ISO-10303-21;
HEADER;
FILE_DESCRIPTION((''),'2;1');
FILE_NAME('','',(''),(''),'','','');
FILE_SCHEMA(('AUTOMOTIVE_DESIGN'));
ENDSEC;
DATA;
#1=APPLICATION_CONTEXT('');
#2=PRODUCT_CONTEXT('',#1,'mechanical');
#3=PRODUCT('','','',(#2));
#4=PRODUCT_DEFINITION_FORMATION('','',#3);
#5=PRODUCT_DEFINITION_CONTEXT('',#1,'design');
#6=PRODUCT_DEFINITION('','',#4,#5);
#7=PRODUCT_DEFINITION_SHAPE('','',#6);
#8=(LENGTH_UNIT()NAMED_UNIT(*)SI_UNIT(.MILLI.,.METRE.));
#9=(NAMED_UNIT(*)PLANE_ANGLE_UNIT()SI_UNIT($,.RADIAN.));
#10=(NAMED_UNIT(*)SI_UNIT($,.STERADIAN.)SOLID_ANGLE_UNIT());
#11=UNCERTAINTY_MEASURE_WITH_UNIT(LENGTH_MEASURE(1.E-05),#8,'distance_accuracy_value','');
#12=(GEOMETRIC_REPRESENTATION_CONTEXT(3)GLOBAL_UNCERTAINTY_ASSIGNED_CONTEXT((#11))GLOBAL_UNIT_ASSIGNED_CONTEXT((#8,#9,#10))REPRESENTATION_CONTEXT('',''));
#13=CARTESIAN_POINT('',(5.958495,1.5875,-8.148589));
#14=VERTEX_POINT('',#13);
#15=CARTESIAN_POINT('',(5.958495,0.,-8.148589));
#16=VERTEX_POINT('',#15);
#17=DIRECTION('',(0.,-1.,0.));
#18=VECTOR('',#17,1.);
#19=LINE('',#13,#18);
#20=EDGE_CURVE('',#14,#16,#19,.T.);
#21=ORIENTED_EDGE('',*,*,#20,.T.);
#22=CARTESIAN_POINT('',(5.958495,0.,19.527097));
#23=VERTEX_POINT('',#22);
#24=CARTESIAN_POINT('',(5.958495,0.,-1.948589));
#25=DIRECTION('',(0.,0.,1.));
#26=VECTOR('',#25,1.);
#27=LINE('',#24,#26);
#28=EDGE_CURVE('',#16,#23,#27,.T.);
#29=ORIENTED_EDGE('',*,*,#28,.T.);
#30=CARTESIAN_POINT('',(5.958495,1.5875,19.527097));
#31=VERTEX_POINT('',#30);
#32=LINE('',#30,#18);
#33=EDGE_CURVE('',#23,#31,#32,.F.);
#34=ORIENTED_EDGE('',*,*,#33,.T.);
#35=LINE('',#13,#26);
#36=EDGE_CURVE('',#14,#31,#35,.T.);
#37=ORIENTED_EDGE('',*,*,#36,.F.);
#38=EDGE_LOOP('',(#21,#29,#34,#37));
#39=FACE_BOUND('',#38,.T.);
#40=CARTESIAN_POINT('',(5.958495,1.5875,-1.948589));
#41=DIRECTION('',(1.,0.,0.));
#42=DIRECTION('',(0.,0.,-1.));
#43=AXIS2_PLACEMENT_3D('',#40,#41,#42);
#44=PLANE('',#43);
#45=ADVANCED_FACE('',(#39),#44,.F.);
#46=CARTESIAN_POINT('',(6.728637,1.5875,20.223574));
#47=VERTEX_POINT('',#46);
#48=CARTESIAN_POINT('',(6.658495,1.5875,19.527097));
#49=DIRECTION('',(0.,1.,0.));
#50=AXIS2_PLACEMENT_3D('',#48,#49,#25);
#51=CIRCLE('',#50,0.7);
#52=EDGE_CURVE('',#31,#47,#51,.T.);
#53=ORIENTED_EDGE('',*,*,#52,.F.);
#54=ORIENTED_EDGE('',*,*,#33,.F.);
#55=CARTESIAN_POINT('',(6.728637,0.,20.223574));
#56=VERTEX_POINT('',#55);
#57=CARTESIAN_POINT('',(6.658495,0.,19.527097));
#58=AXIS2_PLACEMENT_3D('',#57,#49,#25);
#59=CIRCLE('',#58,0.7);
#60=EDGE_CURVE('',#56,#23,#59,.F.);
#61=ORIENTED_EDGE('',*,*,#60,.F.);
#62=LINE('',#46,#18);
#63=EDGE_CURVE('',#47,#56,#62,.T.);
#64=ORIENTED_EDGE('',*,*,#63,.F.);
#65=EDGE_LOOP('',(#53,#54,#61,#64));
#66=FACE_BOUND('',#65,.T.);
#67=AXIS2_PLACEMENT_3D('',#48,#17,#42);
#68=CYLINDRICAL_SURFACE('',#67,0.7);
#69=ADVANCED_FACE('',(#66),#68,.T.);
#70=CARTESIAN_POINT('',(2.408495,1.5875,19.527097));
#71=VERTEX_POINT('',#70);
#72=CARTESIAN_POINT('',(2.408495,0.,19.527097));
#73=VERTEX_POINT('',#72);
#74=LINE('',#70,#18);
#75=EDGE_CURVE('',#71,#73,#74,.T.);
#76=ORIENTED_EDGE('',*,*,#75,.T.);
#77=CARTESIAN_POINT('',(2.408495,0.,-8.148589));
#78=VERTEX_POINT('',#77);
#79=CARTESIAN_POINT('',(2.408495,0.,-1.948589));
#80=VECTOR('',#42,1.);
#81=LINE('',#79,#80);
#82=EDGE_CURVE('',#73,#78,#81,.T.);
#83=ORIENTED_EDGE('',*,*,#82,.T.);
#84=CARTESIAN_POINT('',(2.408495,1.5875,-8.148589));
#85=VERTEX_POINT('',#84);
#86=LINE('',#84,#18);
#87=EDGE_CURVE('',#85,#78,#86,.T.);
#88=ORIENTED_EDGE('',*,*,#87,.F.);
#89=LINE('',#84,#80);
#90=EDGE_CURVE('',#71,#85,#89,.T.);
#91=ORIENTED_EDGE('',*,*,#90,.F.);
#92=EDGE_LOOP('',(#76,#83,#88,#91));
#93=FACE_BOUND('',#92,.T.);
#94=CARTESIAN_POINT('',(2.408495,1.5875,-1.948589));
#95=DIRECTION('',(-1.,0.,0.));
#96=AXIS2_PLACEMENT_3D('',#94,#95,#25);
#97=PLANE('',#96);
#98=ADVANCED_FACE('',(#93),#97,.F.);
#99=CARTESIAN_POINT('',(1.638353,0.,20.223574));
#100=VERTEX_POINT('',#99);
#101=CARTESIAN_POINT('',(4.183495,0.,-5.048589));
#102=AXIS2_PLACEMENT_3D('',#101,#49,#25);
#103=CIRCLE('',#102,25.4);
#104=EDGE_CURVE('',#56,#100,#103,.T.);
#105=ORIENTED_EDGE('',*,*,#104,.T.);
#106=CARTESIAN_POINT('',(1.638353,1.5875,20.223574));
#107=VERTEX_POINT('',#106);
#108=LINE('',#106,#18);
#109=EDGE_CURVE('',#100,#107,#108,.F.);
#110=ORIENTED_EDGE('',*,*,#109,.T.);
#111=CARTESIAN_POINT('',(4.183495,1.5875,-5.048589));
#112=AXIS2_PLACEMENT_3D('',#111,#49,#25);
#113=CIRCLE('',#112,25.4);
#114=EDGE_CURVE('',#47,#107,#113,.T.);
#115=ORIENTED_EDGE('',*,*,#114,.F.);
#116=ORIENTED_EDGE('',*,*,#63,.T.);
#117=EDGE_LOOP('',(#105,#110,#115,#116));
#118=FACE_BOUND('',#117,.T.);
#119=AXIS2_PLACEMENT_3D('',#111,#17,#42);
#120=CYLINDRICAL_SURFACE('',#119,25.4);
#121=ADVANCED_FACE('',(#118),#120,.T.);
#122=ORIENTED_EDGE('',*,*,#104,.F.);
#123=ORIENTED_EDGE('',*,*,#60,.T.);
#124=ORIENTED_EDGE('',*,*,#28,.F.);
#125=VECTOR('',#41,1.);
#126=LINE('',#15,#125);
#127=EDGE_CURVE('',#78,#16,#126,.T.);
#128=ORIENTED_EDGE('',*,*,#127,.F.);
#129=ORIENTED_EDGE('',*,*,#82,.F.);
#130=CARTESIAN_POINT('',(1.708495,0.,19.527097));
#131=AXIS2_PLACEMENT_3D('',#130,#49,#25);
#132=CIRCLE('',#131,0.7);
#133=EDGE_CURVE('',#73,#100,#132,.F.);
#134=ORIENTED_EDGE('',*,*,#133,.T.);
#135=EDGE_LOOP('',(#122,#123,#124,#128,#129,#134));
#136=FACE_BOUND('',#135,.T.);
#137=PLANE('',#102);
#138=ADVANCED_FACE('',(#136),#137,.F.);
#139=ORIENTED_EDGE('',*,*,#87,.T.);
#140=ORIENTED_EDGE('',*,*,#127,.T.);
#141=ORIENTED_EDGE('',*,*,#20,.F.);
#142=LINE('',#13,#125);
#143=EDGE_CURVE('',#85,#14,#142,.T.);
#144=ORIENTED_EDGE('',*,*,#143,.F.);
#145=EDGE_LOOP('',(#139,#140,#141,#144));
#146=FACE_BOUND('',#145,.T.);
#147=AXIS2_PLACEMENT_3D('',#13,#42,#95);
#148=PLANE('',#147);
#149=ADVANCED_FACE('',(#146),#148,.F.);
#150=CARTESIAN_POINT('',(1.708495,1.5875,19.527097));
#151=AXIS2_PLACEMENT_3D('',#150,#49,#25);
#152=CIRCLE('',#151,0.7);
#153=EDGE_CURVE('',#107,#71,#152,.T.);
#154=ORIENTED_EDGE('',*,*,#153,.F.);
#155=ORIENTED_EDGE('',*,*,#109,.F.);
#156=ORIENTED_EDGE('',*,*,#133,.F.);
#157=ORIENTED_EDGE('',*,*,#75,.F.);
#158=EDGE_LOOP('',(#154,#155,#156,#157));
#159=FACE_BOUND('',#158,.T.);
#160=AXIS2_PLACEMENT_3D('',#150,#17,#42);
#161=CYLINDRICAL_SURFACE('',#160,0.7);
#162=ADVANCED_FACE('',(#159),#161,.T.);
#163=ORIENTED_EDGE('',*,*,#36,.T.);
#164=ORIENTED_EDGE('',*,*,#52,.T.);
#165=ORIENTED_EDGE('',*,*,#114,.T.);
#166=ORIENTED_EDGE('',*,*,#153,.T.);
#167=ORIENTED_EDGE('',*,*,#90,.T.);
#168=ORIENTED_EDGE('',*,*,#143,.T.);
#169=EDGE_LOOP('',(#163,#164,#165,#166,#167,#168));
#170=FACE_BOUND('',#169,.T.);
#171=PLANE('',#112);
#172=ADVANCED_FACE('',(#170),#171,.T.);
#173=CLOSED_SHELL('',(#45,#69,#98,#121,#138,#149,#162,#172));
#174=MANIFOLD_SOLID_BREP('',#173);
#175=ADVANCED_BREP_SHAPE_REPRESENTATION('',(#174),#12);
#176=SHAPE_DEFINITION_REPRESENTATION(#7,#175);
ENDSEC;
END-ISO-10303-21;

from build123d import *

# Parameters (mm, degrees)
BOSS_EXTRUDE1_DEPTH = 1.5875
FILLET1_R           = 0.7


with BuildPart() as part:
    # Sketch1 → Boss-Extrude1 (new body)
    with BuildSketch(Plane(origin=(0, 0, 0), x_dir=(1, 0, 0), z_dir=(0, 1, 0))):
        with BuildLine():
            Line((2.408495171, 1.948589223), (2.408495171, -20.289314696))
            ThreePointArc((2.408495171, -20.289314696), (4.183495171, 30.448589223), (5.958495171, -20.289314696))
            Line((5.958495171, -20.289314696), (5.958495171, 1.948589223))
            Line((5.958495171, 1.948589223), (5.958495171, 8.148589223))
            Line((5.958495171, 8.148589223), (2.408495171, 8.148589223))
            Line((2.408495171, 8.148589223), (2.408495171, 1.948589223))
        make_face()
    extrude(amount=BOSS_EXTRUDE1_DEPTH)

    # Fillet1
    fillet1_edges = [part.edges().sort_by_distance(p)[0] for p in [
        (2.408495171, 0.79375, 20.289314696),
        (5.958495171, 0.79375, 20.289314696),
    ]]
    fillet(fillet1_edges, radius=FILLET1_R)


solid = part.part
